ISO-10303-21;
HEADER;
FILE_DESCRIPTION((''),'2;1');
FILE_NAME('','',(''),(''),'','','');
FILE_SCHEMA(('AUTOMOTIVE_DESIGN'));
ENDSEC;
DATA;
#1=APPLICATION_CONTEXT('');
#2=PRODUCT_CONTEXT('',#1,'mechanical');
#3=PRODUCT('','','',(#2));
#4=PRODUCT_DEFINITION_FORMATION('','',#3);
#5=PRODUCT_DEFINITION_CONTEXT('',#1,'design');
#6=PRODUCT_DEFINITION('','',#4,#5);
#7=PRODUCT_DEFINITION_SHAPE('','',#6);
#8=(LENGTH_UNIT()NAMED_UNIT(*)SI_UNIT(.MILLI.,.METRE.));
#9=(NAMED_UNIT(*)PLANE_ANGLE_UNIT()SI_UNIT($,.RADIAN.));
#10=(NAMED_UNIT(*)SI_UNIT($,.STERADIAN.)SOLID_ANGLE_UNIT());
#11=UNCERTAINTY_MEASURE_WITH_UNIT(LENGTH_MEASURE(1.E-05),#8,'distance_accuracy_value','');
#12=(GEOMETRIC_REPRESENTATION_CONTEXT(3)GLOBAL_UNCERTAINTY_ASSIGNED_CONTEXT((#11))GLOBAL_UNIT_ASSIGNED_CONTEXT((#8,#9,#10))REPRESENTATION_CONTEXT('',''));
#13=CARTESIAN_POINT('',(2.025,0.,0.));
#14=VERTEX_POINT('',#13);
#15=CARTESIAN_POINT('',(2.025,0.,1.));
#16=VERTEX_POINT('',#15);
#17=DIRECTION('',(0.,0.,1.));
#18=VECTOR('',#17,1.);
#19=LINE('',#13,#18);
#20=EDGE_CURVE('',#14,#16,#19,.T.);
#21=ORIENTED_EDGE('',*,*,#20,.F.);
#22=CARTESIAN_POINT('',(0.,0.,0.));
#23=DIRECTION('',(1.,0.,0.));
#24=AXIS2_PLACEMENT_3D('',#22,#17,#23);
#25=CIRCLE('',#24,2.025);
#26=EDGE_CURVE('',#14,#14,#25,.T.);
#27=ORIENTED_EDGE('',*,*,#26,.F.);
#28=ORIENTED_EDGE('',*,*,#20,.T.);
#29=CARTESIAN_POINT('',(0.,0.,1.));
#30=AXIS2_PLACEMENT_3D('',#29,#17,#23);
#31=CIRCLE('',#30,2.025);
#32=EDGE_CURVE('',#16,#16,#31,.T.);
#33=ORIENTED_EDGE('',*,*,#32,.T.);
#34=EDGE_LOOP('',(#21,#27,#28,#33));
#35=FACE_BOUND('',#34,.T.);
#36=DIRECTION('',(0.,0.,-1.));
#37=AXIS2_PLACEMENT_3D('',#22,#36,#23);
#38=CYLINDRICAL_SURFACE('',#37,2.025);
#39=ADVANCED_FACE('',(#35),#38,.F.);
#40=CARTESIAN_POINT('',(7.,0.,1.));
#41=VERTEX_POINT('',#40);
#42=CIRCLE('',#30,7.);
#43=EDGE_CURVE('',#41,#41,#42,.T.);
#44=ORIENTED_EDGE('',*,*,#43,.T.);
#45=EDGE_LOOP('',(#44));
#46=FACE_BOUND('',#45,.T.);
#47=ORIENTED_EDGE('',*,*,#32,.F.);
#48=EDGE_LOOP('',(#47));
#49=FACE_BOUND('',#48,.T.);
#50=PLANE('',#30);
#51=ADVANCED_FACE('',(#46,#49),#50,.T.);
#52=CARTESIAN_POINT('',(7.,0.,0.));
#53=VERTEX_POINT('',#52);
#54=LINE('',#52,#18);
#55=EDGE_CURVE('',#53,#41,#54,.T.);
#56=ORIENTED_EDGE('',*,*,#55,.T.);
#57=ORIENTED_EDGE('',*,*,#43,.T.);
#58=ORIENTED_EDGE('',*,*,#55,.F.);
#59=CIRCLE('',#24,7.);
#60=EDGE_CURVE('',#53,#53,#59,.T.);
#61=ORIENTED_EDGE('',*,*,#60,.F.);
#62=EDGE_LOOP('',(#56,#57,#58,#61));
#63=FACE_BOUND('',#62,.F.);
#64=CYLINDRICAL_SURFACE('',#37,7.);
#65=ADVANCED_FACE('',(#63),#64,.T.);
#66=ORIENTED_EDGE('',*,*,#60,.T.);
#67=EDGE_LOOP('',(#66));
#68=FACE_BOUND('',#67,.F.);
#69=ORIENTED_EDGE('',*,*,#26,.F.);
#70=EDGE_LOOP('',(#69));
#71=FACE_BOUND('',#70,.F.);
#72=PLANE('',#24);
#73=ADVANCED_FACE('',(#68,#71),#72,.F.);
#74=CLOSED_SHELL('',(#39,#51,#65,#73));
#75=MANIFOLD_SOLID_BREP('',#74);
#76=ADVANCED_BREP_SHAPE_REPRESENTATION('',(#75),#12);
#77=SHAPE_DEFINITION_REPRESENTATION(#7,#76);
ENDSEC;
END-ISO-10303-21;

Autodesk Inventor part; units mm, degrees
ref_plane "YZ Plane" through (0, 0, 0) normal (1, 0, 0) x (0, 1, 0)
ref_plane "XZ Plane" through (0, 0, 0) normal (0, 1, 0) x (-1, 0, 0)
ref_plane "XY Plane" through (0, 0, 0) normal (0, 0, 1) x (1, 0, 0)
sketch "Sketch1" plane through (0, 0, 0) normal (0, 0, 1) x (1, 0, 0)
  circle A0 centre (0, 0) radius 7
  circle A1 centre (0, 0) radius 2.025
  dimension "d0" = 14
  dimension "d1" = 4.05
extrude "Extrusion1" add sketch "Sketch1" along normal blind 1
properties part number "Spacer"
